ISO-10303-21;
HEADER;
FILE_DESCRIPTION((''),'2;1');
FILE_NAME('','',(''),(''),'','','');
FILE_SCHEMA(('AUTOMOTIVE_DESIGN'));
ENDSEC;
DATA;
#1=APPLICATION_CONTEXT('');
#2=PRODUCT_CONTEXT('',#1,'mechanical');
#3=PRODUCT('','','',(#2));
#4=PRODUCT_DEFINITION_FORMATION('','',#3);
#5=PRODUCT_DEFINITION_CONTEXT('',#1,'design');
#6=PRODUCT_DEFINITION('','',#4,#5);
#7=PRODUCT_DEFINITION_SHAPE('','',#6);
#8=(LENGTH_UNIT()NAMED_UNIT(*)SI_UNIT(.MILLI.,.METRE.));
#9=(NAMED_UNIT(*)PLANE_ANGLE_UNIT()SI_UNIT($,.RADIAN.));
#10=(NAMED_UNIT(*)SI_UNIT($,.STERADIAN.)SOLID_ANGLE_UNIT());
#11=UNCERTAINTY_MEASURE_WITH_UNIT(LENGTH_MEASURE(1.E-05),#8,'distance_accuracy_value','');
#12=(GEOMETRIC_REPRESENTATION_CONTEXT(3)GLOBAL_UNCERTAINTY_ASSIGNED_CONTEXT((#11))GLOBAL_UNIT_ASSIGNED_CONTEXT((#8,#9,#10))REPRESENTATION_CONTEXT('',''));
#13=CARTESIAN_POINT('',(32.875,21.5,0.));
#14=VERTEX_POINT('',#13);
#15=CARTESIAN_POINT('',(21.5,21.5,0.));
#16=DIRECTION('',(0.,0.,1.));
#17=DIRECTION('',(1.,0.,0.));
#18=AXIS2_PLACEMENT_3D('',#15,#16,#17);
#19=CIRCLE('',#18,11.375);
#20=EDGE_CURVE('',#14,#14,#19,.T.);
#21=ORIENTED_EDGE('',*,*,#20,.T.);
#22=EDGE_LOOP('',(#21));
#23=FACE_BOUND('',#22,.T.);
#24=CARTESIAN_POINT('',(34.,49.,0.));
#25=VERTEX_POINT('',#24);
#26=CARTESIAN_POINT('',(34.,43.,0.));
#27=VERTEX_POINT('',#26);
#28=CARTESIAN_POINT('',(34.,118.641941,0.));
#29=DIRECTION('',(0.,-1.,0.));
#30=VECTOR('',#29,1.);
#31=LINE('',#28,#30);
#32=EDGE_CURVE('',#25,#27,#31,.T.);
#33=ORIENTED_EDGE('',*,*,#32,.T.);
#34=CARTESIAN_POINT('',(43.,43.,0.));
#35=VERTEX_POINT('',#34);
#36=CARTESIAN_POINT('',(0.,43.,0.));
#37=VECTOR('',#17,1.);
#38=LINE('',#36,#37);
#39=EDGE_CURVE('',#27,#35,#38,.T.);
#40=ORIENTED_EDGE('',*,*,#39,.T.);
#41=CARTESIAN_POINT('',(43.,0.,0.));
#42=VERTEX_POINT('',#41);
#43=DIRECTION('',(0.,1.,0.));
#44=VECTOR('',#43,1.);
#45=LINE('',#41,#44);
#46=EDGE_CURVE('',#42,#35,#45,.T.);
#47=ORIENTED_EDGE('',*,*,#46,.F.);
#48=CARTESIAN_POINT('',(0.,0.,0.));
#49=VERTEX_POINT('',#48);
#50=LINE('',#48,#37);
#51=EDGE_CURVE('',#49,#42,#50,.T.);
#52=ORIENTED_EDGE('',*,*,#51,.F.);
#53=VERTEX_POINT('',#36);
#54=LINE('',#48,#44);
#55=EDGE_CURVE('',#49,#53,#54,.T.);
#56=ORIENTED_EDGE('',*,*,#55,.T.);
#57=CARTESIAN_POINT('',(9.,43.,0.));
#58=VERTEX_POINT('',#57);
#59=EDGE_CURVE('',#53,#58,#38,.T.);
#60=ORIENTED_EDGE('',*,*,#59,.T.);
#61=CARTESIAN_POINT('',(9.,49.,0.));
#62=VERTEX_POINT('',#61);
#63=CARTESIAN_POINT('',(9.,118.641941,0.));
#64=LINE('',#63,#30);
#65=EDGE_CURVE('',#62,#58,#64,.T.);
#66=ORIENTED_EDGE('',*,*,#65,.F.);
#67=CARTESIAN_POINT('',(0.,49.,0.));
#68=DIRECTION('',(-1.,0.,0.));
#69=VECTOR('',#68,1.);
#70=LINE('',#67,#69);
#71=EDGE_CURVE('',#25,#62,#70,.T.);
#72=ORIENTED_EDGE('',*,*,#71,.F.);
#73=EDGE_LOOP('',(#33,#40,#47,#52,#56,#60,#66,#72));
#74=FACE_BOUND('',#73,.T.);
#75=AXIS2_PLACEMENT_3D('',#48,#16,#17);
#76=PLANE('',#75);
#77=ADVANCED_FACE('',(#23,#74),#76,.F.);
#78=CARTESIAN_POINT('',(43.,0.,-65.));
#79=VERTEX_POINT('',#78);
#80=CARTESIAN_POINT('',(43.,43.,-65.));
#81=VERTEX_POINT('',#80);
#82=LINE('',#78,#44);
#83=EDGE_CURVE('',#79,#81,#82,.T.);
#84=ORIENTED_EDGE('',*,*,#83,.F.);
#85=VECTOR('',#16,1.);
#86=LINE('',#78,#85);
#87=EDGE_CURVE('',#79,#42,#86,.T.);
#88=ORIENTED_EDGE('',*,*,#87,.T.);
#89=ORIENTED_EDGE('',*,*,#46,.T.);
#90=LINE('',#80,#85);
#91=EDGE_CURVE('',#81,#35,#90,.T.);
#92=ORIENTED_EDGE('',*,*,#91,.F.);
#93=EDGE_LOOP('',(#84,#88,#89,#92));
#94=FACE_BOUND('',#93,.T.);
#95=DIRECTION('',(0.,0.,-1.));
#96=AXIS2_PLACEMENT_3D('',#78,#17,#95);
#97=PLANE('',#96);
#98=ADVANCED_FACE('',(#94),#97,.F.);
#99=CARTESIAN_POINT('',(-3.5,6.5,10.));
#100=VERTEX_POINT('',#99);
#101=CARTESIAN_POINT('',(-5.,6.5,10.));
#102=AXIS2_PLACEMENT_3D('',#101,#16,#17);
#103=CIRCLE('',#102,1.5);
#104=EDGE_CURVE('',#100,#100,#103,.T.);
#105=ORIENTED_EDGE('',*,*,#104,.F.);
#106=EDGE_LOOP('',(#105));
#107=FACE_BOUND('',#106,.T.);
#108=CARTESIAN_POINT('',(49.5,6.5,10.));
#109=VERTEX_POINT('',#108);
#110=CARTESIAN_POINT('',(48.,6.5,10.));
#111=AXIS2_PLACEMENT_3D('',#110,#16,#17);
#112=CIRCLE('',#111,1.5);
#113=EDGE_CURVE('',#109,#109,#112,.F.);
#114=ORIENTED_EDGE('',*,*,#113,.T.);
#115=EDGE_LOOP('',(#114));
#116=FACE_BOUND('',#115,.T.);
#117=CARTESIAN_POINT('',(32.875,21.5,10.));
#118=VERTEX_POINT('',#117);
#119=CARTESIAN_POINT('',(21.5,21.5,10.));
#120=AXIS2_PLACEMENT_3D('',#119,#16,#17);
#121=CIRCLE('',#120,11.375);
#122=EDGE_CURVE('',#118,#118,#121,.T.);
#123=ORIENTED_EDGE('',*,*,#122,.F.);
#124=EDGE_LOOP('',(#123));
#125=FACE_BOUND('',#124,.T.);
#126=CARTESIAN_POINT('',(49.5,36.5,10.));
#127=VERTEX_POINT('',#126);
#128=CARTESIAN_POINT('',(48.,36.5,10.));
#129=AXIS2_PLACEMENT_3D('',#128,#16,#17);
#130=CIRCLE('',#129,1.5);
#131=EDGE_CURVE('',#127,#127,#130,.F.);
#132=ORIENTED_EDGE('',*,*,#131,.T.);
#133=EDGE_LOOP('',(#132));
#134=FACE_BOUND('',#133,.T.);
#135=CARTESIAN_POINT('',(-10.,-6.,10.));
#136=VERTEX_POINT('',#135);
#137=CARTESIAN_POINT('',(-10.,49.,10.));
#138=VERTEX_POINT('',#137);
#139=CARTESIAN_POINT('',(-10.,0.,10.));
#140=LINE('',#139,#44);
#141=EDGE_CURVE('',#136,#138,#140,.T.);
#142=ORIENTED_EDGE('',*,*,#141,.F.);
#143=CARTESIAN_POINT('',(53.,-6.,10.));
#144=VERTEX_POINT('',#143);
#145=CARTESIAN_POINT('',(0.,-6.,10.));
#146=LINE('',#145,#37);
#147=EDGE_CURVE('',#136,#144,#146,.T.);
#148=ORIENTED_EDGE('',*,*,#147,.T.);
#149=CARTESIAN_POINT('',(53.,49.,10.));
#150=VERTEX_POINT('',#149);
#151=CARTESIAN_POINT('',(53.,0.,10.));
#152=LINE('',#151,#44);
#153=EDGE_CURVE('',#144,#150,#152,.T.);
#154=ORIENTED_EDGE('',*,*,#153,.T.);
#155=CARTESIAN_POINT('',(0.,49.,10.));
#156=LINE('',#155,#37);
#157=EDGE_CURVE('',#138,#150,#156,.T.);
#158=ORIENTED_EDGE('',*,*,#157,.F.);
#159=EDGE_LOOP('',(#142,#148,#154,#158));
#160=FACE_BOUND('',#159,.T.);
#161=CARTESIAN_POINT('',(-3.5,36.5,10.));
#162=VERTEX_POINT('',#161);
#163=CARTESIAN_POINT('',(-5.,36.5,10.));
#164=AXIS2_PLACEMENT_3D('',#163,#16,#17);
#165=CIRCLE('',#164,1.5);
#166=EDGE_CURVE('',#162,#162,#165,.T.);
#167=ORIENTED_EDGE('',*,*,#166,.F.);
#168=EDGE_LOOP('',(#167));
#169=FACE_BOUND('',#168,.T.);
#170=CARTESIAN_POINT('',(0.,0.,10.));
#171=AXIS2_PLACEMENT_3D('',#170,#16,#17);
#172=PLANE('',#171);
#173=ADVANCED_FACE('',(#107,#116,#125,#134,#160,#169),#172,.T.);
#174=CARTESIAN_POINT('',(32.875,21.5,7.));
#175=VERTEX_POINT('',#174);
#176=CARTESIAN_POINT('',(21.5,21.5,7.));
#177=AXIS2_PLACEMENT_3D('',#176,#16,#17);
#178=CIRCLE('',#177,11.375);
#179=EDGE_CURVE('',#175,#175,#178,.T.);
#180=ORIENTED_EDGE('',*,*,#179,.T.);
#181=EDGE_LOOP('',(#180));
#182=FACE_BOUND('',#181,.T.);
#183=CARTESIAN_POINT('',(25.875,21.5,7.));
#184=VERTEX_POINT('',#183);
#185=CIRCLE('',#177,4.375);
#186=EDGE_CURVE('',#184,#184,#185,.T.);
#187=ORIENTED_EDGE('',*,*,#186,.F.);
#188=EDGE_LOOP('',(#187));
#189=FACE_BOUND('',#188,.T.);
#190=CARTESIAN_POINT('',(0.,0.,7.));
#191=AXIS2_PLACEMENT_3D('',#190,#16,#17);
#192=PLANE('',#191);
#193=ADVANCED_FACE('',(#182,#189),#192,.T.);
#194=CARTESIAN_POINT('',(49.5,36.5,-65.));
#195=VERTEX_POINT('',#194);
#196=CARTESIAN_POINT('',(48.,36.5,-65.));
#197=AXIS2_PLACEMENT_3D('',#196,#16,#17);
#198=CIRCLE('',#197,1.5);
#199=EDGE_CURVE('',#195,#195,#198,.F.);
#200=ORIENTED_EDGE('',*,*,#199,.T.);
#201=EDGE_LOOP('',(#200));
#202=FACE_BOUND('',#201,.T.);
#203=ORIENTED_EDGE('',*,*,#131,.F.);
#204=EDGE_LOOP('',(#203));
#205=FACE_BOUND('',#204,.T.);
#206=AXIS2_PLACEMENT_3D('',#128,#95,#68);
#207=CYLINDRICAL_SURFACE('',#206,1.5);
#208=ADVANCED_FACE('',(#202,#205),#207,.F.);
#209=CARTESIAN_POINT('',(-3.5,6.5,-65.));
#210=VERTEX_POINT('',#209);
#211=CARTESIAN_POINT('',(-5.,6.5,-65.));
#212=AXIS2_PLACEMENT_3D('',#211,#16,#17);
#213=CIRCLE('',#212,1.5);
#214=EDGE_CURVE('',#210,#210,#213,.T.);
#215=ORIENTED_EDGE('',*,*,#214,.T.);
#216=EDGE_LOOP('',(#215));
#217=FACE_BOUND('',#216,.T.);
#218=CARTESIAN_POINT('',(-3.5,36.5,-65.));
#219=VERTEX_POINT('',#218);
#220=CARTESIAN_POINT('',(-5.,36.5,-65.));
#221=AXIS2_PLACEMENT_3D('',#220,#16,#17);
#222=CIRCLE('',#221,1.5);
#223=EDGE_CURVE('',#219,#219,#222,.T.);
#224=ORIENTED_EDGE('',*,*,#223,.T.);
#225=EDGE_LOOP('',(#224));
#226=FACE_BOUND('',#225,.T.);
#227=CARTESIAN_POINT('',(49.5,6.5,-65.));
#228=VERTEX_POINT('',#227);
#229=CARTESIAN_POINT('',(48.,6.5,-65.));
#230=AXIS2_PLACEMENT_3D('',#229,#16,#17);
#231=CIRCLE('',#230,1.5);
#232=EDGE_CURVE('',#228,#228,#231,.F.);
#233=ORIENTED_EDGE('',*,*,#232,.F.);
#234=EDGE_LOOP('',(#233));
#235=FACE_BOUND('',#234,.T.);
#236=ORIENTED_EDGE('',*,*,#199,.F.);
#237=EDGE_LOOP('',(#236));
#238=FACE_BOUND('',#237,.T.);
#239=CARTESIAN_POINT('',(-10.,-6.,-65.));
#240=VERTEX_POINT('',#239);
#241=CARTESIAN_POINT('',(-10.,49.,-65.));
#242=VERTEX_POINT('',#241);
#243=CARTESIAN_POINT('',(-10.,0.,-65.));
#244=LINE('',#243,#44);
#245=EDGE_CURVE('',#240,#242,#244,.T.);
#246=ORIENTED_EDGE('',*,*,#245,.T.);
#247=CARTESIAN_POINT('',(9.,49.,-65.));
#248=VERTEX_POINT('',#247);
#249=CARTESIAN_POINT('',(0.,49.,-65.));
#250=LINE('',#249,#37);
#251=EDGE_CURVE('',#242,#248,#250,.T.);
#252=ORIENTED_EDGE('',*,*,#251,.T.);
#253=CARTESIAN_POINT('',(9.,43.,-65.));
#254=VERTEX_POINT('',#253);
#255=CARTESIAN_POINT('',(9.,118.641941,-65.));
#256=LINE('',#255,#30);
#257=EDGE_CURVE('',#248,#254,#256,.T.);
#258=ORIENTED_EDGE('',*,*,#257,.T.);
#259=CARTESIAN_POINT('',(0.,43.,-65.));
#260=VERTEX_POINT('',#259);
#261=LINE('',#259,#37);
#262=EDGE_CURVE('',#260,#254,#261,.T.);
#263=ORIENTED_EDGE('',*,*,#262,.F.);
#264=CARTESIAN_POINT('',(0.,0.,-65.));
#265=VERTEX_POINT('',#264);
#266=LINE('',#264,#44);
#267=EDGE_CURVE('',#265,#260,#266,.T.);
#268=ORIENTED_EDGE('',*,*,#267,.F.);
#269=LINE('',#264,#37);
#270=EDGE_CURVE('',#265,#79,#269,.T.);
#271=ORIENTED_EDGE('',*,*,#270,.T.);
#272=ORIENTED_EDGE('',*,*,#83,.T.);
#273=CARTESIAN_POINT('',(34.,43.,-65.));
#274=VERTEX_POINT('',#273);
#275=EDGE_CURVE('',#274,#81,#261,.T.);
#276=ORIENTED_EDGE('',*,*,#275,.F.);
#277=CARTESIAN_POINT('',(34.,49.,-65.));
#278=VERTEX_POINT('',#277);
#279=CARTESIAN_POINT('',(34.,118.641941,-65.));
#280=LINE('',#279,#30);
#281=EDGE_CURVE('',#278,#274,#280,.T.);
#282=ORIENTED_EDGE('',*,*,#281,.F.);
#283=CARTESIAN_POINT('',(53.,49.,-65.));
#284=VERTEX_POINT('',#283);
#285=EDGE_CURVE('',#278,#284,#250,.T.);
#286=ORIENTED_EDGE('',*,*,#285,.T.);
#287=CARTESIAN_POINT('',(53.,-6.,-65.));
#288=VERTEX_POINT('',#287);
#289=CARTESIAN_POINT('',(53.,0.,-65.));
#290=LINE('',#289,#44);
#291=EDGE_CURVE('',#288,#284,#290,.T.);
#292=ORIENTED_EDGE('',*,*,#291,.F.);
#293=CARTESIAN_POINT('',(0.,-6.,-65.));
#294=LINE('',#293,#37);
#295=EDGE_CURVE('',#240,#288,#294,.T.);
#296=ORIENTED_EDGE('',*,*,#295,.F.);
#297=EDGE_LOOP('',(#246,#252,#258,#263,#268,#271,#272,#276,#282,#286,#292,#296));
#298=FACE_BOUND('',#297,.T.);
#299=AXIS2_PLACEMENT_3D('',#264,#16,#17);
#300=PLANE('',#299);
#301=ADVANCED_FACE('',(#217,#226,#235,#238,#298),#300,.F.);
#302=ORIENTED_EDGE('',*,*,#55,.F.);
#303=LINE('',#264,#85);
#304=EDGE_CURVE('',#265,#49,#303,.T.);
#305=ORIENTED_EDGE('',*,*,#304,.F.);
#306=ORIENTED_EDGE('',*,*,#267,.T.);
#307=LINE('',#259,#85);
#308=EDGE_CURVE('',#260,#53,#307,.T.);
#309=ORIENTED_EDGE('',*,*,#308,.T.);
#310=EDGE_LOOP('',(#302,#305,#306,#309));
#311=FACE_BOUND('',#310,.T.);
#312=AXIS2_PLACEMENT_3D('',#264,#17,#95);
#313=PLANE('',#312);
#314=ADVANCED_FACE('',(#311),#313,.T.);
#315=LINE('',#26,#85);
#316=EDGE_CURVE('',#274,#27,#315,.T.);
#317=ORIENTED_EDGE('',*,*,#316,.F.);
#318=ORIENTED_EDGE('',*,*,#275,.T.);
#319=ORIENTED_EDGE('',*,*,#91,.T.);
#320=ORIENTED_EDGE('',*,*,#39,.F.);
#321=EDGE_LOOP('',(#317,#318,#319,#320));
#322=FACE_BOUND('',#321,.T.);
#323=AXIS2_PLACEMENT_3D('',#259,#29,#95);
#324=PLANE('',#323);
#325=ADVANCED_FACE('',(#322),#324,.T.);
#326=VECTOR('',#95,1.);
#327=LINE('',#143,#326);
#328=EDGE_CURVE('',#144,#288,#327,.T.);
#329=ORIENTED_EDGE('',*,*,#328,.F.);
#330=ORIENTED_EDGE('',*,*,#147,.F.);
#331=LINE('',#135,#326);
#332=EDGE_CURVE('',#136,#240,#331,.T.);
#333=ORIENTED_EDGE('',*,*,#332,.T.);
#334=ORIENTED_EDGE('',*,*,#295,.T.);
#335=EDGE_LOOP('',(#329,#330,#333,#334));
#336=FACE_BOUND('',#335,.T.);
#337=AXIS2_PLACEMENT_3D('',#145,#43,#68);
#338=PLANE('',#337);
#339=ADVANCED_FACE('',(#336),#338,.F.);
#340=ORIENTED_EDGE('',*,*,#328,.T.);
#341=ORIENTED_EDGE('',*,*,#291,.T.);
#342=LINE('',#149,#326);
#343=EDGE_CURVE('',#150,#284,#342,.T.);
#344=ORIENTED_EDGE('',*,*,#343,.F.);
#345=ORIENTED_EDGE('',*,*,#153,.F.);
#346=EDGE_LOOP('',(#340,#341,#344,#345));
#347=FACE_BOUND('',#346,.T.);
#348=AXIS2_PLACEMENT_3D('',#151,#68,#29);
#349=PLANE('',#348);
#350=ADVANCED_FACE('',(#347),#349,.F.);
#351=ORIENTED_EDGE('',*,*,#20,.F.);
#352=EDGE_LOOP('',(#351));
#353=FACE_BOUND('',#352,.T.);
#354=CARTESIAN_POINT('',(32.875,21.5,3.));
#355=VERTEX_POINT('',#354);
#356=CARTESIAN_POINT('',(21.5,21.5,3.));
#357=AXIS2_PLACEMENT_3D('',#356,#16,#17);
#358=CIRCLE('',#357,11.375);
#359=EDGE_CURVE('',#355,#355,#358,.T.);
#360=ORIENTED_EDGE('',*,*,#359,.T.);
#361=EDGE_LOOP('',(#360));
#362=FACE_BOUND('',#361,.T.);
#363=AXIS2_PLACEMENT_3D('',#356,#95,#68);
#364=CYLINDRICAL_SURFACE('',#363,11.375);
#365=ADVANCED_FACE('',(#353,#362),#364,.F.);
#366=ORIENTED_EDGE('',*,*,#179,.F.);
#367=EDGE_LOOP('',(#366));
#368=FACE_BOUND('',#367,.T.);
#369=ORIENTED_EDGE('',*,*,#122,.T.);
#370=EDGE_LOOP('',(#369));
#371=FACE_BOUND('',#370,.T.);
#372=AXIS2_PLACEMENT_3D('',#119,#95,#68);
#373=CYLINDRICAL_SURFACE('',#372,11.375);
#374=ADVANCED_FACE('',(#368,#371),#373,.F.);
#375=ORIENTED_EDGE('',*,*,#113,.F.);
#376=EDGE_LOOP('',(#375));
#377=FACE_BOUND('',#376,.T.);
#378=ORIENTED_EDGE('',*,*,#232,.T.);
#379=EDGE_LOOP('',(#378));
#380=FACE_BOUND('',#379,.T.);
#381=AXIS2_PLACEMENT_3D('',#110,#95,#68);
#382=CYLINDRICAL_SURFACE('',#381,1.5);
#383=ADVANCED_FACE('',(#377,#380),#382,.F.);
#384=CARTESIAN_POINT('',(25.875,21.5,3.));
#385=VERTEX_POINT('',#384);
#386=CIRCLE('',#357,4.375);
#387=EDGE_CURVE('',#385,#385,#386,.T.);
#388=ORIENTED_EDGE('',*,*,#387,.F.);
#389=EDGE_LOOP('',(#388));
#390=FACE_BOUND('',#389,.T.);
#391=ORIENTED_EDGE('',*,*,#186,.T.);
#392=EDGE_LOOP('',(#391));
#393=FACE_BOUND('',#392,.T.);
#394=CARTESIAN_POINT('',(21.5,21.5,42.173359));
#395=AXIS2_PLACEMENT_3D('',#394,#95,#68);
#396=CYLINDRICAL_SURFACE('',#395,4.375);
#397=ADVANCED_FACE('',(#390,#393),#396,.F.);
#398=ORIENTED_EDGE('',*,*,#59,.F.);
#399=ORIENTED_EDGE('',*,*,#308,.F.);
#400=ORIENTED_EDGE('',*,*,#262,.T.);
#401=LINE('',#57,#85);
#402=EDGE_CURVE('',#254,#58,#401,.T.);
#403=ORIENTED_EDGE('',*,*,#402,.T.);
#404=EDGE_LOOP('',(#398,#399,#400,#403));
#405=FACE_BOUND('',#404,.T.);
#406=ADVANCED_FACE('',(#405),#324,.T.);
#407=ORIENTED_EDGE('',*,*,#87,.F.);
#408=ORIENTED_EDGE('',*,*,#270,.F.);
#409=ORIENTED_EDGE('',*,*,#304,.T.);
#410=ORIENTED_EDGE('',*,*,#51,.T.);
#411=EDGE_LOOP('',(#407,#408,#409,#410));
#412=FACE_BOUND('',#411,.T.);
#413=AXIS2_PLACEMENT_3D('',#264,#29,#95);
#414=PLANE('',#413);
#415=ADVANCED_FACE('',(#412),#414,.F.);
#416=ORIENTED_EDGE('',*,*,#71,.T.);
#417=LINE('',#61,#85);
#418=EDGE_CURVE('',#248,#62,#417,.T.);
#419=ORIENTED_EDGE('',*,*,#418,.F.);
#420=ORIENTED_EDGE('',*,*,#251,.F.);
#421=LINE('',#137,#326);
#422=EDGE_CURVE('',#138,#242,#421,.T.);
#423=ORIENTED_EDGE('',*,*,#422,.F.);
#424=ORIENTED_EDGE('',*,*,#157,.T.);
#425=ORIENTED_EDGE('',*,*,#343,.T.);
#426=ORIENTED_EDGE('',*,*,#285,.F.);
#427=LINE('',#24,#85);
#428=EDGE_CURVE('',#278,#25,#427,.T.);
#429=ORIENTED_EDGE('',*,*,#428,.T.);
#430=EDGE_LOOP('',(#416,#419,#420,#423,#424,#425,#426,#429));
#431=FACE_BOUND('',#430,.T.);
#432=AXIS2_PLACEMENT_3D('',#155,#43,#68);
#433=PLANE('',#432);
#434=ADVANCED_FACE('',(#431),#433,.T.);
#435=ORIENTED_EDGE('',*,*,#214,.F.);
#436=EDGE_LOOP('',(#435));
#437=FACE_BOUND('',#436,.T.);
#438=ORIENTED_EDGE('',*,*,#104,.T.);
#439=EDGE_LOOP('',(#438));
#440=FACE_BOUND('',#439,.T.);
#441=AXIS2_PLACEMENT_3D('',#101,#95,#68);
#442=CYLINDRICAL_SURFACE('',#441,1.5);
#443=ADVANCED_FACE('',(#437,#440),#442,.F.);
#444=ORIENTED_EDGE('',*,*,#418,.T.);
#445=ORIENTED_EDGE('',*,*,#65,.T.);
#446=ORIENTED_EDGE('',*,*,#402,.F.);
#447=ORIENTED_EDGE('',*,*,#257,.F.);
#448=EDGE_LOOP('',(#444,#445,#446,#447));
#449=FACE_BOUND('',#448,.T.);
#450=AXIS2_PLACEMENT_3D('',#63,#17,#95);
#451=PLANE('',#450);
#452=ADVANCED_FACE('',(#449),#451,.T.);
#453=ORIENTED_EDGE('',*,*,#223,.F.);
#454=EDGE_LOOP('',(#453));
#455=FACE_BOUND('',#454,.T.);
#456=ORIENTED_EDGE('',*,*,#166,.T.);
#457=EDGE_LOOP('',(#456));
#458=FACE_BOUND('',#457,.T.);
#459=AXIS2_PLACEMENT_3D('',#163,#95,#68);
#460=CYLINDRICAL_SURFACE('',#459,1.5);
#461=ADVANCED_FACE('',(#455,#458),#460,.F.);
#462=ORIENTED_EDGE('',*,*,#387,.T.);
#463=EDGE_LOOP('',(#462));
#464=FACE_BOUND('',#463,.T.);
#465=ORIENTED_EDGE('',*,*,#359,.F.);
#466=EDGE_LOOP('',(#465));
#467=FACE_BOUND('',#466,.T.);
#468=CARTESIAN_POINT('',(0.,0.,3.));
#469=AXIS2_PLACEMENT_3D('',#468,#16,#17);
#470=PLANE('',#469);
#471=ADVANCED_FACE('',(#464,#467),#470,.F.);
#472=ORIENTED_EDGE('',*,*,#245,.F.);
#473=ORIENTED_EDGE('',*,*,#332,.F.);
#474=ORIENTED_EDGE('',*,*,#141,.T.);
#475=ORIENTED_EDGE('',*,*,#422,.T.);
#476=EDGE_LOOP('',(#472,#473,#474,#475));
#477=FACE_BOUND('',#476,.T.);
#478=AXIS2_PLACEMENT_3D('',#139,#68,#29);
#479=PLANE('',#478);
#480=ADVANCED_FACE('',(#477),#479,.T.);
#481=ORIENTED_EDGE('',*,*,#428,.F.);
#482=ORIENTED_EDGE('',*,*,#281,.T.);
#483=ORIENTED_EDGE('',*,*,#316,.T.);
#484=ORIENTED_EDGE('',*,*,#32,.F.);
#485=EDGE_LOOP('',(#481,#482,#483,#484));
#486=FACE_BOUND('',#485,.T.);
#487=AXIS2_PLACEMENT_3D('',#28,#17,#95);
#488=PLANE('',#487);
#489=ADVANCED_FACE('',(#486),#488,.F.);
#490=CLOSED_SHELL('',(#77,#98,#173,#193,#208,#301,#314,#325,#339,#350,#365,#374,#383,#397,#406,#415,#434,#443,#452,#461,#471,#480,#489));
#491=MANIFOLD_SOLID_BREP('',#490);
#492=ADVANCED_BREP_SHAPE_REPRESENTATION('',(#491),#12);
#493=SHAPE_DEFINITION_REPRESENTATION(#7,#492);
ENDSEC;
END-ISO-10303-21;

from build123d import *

# Parameters (mm, degrees)
SKETCH1_7_W         = 63
SKETCH1_7_H         = 55
SKETCH1_7_R         = 1.5
SKETCH1_7_R_2       = 11.375
BOSS_EXTRUDE3_DEPTH = 10
BOSS_EXTRUDE4_START = -65
SKETCH1_8_W         = 63
SKETCH1_8_H         = 55
SKETCH1_8_R         = 1.5
SKETCH1_8_W_2       = 43
SKETCH1_8_H_2       = 43
BOSS_EXTRUDE4_DEPTH = 65
SKETCH4_W           = 12.5
SKETCH4_H           = 65
CUT_EXTRUDE5_DEPTH  = 6
SKETCH1_15_R        = 11.375
SKETCH1_15_R_2      = 4.375
BOSS_EXTRUDE5_DEPTH = 7
SKETCH1_16_R        = 11.375
SKETCH1_16_R_2      = 4.375
CUT_EXTRUDE7_DEPTH  = 3


with BuildPart() as part:
    # Sketch1<7> → Boss-Extrude3 (new body)
    with BuildSketch(Plane.XY):
        with Locations((21.5, 21.5)):
            Rectangle(SKETCH1_7_W, SKETCH1_7_H)
        with Locations((-5, 36.5)):
            Circle(SKETCH1_7_R, mode=Mode.SUBTRACT)
        with Locations((-5, 6.5)):
            Circle(SKETCH1_7_R, mode=Mode.SUBTRACT)
        with Locations((48, 6.5)):
            Circle(SKETCH1_7_R, mode=Mode.SUBTRACT)
        with Locations((48, 36.5)):
            Circle(SKETCH1_7_R, mode=Mode.SUBTRACT)
        with Locations((21.5, 21.5)):
            Circle(SKETCH1_7_R_2, mode=Mode.SUBTRACT)
    extrude(amount=BOSS_EXTRUDE3_DEPTH)

    # Sketch1<8> → Boss-Extrude4 (add)
    with BuildSketch(Plane.XY.offset(BOSS_EXTRUDE4_START)):
        with Locations((21.5, 21.5)):
            Rectangle(SKETCH1_8_W, SKETCH1_8_H)
        with Locations((48, 6.5)):
            Circle(SKETCH1_8_R, mode=Mode.SUBTRACT)
        with Locations((-5, 6.5)):
            Circle(SKETCH1_8_R, mode=Mode.SUBTRACT)
        with Locations((-5, 36.5)):
            Circle(SKETCH1_8_R, mode=Mode.SUBTRACT)
        with Locations((48, 36.5)):
            Circle(SKETCH1_8_R, mode=Mode.SUBTRACT)
        with Locations((21.5, 21.5)):
            Rectangle(SKETCH1_8_W_2, SKETCH1_8_H_2, mode=Mode.SUBTRACT)
    extrude(amount=BOSS_EXTRUDE4_DEPTH)

    # Sketch4 → Cut-Extrude5 (cut)
    with BuildSketch(Plane.XZ.offset(-43)):
        with Locations((27.75, -32.5)):
            Rectangle(SKETCH4_W, SKETCH4_H)
        with Locations((15.25, -32.5)):
            Rectangle(SKETCH4_W, SKETCH4_H)
    extrude(amount=-CUT_EXTRUDE5_DEPTH, mode=Mode.SUBTRACT)

    # Sketch1<15> → Boss-Extrude5 (add)
    with BuildSketch(Plane.XY):
        with Locations((21.5, 21.5)):
            Circle(SKETCH1_15_R)
        with Locations((21.5, 21.5)):
            Circle(SKETCH1_15_R_2, mode=Mode.SUBTRACT)
    extrude(amount=BOSS_EXTRUDE5_DEPTH)

    # Sketch1<16> → Cut-Extrude7 (cut)
    with BuildSketch(Plane.XY):
        with Locations((21.5, 21.5)):
            Circle(SKETCH1_16_R)
        with Locations((21.5, 21.5)):
            Circle(SKETCH1_16_R_2, mode=Mode.SUBTRACT)
    extrude(amount=CUT_EXTRUDE7_DEPTH, mode=Mode.SUBTRACT)


solid = part.part
